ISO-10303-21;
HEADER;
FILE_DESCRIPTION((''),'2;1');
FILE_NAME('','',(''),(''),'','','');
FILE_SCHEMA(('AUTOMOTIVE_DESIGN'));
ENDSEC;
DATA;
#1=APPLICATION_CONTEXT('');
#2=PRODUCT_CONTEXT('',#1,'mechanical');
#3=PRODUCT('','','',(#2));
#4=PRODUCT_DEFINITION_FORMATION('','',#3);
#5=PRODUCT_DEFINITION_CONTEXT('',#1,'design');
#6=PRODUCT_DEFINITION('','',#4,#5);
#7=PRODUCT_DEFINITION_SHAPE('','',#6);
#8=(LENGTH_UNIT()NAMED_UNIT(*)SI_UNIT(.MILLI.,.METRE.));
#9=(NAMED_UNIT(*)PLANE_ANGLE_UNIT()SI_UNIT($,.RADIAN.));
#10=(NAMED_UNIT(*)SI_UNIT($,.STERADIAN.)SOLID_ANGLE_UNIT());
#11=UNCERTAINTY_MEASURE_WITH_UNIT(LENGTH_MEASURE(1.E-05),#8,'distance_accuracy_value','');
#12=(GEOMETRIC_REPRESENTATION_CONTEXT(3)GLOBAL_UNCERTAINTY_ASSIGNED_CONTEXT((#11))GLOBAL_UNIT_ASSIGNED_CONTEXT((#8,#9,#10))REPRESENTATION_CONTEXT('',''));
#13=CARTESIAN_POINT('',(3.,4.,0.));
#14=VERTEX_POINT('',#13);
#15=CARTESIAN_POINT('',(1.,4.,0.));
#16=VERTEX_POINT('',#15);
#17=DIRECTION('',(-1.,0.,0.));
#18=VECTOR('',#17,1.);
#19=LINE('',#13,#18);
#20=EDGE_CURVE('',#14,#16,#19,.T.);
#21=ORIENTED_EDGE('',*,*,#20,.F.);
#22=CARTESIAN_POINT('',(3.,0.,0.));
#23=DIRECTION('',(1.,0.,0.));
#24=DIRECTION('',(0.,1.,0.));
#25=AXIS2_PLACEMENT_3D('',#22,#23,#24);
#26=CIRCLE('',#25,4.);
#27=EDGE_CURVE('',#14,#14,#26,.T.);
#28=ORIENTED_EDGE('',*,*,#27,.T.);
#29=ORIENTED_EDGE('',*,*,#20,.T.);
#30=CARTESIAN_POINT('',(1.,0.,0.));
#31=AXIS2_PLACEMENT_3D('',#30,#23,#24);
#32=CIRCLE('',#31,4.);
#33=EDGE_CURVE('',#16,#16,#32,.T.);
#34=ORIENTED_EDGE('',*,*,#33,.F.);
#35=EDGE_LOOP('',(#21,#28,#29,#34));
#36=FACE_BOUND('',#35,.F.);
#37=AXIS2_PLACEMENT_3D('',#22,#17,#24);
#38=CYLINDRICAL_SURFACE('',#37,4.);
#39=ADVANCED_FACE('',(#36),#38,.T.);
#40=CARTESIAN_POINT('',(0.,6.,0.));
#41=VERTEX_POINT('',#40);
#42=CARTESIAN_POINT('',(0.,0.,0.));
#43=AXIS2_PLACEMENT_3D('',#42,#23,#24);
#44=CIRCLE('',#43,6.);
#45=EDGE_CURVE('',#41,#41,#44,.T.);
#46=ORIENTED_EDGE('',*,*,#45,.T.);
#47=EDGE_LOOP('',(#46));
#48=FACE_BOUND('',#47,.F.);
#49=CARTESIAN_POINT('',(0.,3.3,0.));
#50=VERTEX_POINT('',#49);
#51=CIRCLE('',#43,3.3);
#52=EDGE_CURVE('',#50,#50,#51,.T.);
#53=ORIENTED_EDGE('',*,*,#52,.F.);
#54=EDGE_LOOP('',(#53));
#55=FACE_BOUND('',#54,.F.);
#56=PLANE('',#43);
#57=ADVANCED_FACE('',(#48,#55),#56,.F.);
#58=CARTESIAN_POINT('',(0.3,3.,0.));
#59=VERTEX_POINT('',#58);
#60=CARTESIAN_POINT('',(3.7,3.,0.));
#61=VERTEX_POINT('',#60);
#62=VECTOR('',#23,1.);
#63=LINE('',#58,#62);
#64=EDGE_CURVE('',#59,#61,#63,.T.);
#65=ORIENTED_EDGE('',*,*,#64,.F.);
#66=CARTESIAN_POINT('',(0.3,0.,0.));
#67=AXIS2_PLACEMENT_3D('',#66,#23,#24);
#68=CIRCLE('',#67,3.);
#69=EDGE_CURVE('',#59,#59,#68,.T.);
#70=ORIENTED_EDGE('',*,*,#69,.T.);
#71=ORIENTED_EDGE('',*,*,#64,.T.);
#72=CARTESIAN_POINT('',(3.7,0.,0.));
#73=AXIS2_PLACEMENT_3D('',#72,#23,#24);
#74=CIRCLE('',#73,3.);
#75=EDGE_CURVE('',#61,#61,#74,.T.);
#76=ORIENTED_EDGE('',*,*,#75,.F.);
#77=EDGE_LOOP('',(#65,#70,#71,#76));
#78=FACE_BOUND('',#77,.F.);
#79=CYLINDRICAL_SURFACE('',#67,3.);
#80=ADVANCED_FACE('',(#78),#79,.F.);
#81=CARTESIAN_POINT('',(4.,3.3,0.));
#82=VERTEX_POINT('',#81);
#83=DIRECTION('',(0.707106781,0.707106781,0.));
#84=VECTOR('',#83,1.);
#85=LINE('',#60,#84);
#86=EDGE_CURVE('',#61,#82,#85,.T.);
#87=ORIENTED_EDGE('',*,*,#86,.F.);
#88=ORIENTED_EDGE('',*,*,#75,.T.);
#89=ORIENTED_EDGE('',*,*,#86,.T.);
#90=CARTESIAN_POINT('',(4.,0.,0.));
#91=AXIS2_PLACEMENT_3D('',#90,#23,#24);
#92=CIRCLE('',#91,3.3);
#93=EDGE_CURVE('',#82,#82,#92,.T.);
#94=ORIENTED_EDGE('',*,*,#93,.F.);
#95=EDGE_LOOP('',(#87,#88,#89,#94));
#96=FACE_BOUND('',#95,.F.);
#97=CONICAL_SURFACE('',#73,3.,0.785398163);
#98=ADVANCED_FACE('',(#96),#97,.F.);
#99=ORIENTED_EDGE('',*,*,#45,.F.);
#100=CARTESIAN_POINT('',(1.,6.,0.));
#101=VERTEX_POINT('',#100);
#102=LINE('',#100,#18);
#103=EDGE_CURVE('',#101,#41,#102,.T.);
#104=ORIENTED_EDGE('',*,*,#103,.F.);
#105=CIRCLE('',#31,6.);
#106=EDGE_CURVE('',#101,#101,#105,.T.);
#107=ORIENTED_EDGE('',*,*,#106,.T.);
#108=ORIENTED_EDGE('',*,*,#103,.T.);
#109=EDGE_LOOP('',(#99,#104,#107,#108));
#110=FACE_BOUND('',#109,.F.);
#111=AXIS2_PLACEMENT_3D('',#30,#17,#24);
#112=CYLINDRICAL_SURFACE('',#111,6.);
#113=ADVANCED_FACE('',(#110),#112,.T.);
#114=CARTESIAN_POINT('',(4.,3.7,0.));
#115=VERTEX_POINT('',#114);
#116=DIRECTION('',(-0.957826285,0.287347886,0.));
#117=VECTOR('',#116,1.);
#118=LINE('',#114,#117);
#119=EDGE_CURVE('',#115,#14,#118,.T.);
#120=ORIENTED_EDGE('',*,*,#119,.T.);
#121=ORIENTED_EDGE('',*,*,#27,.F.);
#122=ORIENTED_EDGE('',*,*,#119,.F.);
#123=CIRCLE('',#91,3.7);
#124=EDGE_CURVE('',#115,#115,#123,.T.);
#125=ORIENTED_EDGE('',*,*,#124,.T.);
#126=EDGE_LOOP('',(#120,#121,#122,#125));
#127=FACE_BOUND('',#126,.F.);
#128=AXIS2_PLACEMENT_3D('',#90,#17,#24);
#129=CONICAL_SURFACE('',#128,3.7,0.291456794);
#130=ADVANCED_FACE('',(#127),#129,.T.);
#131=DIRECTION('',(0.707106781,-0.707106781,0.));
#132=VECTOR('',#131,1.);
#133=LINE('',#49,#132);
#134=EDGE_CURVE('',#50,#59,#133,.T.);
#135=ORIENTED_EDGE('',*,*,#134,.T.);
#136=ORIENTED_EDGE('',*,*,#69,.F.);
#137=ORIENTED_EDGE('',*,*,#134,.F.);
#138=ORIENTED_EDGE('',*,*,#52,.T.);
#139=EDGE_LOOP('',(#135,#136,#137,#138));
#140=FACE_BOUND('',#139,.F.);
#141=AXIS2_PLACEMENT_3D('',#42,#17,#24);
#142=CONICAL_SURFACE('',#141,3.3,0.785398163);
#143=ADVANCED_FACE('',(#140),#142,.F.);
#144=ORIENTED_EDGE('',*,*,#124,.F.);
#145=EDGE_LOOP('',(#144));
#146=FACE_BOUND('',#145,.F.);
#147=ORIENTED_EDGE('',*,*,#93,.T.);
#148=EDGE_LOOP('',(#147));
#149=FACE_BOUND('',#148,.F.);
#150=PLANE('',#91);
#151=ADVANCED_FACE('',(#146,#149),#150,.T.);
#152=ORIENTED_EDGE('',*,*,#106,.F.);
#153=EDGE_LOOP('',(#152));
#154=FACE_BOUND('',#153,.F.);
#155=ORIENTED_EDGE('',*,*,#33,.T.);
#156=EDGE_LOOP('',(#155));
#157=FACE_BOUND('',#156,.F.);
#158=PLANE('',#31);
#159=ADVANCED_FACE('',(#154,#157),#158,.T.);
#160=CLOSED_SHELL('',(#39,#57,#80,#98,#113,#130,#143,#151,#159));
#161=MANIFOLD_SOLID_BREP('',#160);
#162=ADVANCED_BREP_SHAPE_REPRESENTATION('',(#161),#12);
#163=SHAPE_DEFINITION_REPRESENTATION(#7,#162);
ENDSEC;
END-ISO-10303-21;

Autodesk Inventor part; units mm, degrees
ref_plane "YZ Plane" through (0, 0, 0) normal (1, 0, 0) x (0, 1, 0)
ref_plane "XZ Plane" through (0, 0, 0) normal (0, 1, 0) x (-1, 0, 0)
ref_plane "XY Plane" through (0, 0, 0) normal (0, 0, 1) x (1, 0, 0)
sketch "Sketch_1" plane through (0, 0, 0) normal (0, 0, 1) x (1, 0, 0)
  line L0 (4, 0) -> (0, 0)
  line L1 (0, 3.3) -> (0.3, 3)
  line L2 (0.3, 3) -> (3.7, 3)
  line L3 (3.7, 3) -> (4, 3.3)
  line L4 (4, 3.3) -> (4, 3.7)
  line L5 (4, 3.7) -> (3, 4)
  line L6 (3, 4) -> (1, 4)
  line L7 (1, 4) -> (1, 6)
  line L8 (1, 6) -> (0, 6)
  line L9 (0, 6) -> (0, 3.3)
revolve "Revolution1" add sketch "Sketch_1" angle 360 about axis through (4, 0, 0) along (1, 0, 0)
properties part number "80F-0603"
